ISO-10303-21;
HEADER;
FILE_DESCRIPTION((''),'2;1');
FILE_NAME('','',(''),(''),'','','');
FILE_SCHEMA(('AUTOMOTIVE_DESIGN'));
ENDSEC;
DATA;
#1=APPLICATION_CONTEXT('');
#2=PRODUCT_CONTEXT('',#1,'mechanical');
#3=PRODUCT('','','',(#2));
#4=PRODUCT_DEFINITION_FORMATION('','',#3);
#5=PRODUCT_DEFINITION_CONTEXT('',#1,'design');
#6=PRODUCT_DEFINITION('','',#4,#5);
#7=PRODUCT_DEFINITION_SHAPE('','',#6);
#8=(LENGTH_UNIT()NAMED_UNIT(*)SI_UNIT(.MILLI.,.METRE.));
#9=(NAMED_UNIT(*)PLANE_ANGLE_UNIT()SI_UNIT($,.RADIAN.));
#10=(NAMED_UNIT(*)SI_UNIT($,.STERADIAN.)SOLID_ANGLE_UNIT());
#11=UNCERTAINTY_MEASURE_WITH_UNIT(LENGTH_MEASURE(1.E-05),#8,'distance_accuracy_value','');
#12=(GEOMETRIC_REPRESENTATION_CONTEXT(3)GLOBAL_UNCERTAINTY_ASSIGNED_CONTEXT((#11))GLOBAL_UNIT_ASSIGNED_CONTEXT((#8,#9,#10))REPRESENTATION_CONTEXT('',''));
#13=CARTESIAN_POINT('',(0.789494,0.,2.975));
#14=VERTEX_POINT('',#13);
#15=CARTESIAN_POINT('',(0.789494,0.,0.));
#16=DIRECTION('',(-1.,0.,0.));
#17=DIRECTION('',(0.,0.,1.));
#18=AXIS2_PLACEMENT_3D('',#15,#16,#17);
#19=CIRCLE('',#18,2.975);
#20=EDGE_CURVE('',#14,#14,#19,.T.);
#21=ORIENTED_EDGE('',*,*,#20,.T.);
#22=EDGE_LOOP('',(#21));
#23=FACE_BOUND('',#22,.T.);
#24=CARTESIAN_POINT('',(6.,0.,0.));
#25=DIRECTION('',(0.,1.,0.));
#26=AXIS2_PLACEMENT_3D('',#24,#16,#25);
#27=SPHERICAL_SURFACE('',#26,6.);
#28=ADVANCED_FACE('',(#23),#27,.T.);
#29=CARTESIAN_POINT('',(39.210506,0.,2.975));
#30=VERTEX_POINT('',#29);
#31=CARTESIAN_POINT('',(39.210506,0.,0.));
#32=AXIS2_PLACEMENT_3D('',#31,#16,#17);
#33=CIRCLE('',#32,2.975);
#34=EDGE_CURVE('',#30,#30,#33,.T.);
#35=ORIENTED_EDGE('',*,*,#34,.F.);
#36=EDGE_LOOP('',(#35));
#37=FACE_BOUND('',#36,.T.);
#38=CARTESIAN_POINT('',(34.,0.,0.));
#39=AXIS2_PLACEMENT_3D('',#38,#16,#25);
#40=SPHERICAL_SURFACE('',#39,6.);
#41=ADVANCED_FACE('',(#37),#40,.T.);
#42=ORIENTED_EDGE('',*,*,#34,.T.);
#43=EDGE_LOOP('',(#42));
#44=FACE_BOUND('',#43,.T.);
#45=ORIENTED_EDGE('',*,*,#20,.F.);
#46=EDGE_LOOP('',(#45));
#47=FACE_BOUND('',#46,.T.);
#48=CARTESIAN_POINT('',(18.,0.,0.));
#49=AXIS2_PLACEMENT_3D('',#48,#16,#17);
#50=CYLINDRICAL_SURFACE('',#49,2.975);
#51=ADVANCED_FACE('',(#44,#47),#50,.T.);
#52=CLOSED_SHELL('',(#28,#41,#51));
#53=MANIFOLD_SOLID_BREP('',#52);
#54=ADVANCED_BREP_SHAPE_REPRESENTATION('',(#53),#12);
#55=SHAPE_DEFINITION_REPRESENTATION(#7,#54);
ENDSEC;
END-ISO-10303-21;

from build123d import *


with BuildPart() as part:
    # Esquisse2 → Base-Révolution (revolve)
    with BuildSketch(Plane.XY):
        with BuildLine():
            Line((0, 0), (40, 0))
            ThreePointArc((40, 0), (39.799268802, 1.538987121), (39.210506213, 2.975))
            Line((39.210506213, 2.975), (0.789493787, 2.975))
            ThreePointArc((0.789493787, 2.975), (0.200731198, 1.538987121), (0, 0))
        make_face()
    revolve(axis=Axis((18, 0, 0), (1, 0, 0)))


solid = part.part
